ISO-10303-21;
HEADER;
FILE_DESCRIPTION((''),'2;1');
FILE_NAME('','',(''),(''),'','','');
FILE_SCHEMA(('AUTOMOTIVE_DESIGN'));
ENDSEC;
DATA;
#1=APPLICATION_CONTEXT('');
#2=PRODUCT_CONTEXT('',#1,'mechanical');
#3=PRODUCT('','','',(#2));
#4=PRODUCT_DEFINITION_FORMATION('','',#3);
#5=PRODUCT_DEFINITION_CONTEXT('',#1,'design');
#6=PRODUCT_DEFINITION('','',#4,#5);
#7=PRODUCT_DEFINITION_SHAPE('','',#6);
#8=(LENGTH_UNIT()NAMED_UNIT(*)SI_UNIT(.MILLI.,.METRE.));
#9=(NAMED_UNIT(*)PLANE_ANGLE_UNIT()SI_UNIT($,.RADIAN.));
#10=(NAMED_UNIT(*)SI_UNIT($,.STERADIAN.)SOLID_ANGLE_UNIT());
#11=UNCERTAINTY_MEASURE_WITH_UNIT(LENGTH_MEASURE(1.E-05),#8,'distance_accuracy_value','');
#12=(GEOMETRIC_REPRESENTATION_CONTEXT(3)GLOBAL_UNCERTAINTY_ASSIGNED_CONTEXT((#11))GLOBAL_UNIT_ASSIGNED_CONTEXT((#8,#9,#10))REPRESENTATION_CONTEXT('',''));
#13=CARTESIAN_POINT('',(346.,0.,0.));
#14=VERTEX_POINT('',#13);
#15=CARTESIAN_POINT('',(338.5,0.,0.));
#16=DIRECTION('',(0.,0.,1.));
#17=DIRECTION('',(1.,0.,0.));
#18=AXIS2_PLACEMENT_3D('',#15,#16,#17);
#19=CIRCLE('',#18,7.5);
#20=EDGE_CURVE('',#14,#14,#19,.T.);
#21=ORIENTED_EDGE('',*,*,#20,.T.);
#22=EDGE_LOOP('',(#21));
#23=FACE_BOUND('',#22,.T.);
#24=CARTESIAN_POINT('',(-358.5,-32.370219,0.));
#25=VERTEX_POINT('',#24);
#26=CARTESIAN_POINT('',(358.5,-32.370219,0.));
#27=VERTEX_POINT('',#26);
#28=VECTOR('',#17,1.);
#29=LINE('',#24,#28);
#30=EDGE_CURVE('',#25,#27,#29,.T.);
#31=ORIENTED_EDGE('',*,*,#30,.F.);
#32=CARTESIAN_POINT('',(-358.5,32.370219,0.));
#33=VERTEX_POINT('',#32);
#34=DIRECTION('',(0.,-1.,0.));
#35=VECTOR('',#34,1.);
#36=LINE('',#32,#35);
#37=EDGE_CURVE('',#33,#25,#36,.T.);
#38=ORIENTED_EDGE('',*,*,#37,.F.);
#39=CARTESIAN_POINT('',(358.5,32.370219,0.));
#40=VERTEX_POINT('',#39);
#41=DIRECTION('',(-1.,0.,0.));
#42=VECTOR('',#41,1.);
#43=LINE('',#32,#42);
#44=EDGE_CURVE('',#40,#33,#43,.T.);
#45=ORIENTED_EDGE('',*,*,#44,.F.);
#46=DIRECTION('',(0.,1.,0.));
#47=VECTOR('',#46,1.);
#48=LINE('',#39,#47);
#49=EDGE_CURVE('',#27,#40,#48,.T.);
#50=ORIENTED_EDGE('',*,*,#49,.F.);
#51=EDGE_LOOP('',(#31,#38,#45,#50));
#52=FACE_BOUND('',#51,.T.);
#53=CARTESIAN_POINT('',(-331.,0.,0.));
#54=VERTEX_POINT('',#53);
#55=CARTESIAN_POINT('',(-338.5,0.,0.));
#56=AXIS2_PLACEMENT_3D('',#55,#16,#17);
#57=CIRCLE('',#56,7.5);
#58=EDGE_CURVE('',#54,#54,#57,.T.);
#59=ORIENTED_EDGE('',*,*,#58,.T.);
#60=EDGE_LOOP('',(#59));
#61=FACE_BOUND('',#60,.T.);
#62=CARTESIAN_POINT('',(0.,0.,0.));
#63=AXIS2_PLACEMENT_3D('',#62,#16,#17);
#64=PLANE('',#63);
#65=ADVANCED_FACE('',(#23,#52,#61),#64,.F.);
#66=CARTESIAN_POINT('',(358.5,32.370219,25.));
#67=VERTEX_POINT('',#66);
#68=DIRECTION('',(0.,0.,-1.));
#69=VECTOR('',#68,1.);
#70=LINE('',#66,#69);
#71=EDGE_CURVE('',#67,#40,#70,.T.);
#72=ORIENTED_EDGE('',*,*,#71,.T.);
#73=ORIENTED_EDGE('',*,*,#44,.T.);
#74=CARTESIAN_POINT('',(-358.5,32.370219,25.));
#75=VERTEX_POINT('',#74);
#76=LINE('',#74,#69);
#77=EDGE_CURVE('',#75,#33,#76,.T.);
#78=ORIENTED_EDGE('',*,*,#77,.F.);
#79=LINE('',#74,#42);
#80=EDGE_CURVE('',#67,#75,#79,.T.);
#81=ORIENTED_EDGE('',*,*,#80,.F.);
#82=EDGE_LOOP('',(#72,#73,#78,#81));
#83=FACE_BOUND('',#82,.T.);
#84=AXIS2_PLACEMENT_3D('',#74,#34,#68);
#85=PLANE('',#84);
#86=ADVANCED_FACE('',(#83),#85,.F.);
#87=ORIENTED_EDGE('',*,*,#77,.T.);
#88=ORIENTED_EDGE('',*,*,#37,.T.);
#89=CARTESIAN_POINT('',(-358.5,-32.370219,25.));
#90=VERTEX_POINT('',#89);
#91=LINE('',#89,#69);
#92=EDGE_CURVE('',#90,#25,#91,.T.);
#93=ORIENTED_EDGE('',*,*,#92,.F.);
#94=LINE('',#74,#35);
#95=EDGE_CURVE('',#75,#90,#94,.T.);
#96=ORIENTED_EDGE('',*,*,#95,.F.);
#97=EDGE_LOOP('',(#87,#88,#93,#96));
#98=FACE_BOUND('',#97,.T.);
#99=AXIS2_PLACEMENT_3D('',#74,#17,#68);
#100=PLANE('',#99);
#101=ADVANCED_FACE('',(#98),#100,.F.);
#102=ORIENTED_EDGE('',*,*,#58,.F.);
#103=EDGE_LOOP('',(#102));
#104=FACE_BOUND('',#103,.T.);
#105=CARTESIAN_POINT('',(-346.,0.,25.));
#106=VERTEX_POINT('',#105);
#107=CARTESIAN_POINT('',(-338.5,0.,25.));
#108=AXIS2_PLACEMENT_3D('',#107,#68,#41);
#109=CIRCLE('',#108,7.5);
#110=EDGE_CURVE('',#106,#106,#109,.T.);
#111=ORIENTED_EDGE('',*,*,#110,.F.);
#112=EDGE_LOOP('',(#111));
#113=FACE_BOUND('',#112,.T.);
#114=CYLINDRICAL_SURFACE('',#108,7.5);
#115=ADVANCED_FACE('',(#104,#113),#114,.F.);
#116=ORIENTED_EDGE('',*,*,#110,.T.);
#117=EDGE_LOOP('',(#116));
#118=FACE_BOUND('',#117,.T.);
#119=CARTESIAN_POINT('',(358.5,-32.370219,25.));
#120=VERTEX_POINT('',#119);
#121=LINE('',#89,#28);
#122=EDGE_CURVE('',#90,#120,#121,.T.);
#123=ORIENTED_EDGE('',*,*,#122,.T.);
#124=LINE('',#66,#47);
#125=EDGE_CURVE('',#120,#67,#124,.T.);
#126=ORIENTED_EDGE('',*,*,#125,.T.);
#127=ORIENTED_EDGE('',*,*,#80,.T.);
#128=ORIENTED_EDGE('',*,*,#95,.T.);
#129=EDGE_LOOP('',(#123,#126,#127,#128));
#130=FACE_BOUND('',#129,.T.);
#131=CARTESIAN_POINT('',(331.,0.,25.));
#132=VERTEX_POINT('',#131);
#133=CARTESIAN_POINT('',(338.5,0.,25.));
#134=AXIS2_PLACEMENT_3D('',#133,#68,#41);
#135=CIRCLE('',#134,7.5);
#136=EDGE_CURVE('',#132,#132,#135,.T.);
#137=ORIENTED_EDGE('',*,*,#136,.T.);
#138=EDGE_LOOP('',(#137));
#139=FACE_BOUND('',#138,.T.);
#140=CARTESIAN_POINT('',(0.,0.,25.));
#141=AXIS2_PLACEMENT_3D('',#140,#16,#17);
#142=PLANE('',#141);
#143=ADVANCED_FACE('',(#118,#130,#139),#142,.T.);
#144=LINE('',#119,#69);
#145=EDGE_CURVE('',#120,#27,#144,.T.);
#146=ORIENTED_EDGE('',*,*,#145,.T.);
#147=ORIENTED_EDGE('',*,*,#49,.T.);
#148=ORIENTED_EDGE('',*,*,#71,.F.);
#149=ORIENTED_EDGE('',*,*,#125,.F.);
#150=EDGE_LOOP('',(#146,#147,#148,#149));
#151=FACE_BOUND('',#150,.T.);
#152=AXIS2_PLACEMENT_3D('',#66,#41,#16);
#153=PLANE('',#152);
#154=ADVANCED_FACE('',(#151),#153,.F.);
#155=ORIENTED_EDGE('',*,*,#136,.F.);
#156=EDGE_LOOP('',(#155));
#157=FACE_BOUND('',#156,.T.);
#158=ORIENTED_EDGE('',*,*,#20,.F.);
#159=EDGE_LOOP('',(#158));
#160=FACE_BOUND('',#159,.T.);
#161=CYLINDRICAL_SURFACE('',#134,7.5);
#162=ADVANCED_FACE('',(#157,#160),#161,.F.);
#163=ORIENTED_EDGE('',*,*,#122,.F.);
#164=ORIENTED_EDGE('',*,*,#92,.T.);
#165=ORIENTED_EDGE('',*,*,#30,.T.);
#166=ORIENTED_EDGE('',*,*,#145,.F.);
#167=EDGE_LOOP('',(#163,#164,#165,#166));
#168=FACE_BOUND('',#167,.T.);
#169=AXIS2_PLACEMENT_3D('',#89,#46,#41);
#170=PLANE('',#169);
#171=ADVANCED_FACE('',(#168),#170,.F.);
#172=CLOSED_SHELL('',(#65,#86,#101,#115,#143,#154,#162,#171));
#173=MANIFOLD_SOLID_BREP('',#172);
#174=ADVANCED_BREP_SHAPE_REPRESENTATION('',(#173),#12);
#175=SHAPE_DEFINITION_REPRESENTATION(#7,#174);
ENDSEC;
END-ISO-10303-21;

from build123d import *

# Parameters (mm, degrees)
SKETCH1_W               = 717
SKETCH1_H               = 64.740437158
BOSS_EXTRUDE1_DEPTH     = 25
CUT_EXTRUDE1_DEPTH      = 361.825554875
CUT_EXTRUDE1_DEPTH_BACK = 361.825554875
SKETCH2_R               = 7.5


with BuildPart() as part:
    # Sketch1 → Boss-Extrude1 (new body)
    with BuildSketch(Plane.XY):
        Rectangle(SKETCH1_W, SKETCH1_H)
    extrude(amount=BOSS_EXTRUDE1_DEPTH)

    # Sketch2 → Cut-Extrude1 (cut, two sides: drawn at the far end of the back side and taken through both)
    with BuildSketch(Plane(origin=(0, 0, 0), x_dir=(-1, 0, 0), z_dir=(0, 0, -1)).offset(-CUT_EXTRUDE1_DEPTH_BACK)):
        with Locations((-338.5, 0)):
            Circle(SKETCH2_R)
        with Locations((338.5, 0)):
            Circle(SKETCH2_R)
    extrude(amount=CUT_EXTRUDE1_DEPTH + CUT_EXTRUDE1_DEPTH_BACK, mode=Mode.SUBTRACT)


solid = part.part
